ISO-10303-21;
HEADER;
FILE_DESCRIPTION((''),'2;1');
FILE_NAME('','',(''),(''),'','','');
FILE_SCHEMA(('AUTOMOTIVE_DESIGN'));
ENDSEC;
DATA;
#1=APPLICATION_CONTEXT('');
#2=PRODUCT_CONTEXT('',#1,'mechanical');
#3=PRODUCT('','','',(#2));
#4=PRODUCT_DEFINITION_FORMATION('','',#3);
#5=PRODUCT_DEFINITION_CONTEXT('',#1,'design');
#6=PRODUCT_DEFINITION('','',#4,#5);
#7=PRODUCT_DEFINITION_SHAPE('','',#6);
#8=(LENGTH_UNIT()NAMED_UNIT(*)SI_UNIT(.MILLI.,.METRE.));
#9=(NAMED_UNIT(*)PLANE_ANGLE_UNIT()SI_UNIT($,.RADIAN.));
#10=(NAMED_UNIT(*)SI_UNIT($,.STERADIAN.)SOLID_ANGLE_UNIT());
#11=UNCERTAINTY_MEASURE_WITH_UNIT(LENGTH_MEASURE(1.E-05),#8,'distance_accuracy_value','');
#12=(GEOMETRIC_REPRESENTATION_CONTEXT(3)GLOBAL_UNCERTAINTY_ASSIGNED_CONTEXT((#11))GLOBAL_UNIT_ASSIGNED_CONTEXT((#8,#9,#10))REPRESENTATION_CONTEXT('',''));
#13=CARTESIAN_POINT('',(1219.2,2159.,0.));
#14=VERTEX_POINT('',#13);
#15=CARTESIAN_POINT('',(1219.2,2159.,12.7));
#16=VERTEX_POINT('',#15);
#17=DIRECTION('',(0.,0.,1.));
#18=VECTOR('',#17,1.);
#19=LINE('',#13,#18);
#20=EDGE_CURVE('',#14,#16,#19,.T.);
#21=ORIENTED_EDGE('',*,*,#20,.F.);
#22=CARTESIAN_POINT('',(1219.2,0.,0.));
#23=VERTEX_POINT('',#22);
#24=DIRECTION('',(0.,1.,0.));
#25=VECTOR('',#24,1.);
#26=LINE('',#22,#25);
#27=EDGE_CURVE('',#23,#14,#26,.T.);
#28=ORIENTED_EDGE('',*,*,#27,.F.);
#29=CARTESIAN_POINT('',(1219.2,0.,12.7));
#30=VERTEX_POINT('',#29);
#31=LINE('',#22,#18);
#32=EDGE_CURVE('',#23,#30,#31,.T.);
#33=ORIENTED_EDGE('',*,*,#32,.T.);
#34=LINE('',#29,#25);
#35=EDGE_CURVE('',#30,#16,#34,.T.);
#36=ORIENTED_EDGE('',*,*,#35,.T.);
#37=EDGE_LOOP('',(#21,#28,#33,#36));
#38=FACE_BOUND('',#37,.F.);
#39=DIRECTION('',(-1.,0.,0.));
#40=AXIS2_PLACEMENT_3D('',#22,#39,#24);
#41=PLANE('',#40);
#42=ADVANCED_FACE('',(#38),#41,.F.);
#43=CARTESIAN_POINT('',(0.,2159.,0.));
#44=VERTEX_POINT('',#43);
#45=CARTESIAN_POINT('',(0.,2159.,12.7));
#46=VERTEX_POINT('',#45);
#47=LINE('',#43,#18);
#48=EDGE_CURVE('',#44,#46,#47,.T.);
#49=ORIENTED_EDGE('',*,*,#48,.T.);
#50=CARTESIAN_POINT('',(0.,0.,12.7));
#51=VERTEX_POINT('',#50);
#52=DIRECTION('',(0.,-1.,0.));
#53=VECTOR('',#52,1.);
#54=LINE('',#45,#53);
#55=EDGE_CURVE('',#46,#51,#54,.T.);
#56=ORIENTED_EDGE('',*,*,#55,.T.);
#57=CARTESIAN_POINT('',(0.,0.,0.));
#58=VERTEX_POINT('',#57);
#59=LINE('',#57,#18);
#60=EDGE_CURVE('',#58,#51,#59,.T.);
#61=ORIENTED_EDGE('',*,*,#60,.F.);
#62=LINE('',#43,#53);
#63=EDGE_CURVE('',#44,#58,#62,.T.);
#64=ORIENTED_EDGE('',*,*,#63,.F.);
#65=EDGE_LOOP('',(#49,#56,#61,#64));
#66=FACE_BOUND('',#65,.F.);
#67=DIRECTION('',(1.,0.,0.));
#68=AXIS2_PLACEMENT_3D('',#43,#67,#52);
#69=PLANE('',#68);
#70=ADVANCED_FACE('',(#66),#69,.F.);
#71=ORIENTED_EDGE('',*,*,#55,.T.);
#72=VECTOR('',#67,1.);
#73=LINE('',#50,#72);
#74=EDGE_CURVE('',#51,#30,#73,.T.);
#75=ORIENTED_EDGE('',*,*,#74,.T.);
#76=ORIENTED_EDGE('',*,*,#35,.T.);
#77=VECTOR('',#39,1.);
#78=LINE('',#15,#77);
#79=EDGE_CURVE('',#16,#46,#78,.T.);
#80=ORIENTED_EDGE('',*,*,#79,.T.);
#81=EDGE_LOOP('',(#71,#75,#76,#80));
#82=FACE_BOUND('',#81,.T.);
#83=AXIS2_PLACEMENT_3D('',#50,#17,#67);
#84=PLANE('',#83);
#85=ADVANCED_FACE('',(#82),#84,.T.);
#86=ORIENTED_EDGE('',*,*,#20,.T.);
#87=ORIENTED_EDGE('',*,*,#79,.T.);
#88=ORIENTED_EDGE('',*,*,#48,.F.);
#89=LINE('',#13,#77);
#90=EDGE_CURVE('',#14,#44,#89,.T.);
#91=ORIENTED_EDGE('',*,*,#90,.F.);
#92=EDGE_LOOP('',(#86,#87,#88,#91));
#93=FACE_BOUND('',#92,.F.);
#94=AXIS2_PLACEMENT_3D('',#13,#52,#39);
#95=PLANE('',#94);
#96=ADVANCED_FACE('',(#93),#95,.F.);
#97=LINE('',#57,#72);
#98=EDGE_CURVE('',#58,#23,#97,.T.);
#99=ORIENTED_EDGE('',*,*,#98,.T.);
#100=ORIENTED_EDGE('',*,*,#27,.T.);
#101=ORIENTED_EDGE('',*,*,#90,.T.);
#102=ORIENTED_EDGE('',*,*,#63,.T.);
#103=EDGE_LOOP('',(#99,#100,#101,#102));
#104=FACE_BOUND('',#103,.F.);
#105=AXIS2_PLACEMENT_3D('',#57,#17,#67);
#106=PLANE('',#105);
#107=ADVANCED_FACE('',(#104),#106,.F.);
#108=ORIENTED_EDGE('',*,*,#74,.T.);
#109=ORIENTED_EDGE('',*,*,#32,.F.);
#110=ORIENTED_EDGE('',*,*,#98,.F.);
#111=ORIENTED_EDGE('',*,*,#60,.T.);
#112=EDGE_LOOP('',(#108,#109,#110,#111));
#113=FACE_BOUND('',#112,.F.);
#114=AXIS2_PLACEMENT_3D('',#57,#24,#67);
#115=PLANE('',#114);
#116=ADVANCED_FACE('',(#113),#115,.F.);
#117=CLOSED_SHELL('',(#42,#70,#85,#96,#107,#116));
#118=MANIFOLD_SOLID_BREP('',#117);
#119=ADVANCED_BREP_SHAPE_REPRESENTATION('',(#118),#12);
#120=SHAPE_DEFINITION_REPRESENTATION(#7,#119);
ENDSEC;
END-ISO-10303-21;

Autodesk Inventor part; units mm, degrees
ref_plane "YZ Plane" through (0, 0, 0) normal (1, 0, 0) x (0, 1, 0)
ref_plane "XZ Plane" through (0, 0, 0) normal (0, 1, 0) x (-1, 0, 0)
ref_plane "XY Plane" through (0, 0, 0) normal (0, 0, 1) x (1, 0, 0)
sketch "Sketch1" plane through (0, 0, 0) normal (0, 0, 1) x (1, 0, 0)
  line L0 (0, 0) -> (1219.2, 0)
  line L1 (1219.2, 0) -> (1219.2, 2159)
  line L2 (1219.2, 2159) -> (0, 2159)
  line L3 (0, 2159) -> (0, 0)
  dimension "d2" = 2159
  dimension "d3" = 1219.2
extrude "Extrusion1" add sketch "Sketch1" along normal blind 12.7
properties part number "OSB_For_Walls_With_Dimensions_48_x_85_Inches" material "Wood (Birch)"
